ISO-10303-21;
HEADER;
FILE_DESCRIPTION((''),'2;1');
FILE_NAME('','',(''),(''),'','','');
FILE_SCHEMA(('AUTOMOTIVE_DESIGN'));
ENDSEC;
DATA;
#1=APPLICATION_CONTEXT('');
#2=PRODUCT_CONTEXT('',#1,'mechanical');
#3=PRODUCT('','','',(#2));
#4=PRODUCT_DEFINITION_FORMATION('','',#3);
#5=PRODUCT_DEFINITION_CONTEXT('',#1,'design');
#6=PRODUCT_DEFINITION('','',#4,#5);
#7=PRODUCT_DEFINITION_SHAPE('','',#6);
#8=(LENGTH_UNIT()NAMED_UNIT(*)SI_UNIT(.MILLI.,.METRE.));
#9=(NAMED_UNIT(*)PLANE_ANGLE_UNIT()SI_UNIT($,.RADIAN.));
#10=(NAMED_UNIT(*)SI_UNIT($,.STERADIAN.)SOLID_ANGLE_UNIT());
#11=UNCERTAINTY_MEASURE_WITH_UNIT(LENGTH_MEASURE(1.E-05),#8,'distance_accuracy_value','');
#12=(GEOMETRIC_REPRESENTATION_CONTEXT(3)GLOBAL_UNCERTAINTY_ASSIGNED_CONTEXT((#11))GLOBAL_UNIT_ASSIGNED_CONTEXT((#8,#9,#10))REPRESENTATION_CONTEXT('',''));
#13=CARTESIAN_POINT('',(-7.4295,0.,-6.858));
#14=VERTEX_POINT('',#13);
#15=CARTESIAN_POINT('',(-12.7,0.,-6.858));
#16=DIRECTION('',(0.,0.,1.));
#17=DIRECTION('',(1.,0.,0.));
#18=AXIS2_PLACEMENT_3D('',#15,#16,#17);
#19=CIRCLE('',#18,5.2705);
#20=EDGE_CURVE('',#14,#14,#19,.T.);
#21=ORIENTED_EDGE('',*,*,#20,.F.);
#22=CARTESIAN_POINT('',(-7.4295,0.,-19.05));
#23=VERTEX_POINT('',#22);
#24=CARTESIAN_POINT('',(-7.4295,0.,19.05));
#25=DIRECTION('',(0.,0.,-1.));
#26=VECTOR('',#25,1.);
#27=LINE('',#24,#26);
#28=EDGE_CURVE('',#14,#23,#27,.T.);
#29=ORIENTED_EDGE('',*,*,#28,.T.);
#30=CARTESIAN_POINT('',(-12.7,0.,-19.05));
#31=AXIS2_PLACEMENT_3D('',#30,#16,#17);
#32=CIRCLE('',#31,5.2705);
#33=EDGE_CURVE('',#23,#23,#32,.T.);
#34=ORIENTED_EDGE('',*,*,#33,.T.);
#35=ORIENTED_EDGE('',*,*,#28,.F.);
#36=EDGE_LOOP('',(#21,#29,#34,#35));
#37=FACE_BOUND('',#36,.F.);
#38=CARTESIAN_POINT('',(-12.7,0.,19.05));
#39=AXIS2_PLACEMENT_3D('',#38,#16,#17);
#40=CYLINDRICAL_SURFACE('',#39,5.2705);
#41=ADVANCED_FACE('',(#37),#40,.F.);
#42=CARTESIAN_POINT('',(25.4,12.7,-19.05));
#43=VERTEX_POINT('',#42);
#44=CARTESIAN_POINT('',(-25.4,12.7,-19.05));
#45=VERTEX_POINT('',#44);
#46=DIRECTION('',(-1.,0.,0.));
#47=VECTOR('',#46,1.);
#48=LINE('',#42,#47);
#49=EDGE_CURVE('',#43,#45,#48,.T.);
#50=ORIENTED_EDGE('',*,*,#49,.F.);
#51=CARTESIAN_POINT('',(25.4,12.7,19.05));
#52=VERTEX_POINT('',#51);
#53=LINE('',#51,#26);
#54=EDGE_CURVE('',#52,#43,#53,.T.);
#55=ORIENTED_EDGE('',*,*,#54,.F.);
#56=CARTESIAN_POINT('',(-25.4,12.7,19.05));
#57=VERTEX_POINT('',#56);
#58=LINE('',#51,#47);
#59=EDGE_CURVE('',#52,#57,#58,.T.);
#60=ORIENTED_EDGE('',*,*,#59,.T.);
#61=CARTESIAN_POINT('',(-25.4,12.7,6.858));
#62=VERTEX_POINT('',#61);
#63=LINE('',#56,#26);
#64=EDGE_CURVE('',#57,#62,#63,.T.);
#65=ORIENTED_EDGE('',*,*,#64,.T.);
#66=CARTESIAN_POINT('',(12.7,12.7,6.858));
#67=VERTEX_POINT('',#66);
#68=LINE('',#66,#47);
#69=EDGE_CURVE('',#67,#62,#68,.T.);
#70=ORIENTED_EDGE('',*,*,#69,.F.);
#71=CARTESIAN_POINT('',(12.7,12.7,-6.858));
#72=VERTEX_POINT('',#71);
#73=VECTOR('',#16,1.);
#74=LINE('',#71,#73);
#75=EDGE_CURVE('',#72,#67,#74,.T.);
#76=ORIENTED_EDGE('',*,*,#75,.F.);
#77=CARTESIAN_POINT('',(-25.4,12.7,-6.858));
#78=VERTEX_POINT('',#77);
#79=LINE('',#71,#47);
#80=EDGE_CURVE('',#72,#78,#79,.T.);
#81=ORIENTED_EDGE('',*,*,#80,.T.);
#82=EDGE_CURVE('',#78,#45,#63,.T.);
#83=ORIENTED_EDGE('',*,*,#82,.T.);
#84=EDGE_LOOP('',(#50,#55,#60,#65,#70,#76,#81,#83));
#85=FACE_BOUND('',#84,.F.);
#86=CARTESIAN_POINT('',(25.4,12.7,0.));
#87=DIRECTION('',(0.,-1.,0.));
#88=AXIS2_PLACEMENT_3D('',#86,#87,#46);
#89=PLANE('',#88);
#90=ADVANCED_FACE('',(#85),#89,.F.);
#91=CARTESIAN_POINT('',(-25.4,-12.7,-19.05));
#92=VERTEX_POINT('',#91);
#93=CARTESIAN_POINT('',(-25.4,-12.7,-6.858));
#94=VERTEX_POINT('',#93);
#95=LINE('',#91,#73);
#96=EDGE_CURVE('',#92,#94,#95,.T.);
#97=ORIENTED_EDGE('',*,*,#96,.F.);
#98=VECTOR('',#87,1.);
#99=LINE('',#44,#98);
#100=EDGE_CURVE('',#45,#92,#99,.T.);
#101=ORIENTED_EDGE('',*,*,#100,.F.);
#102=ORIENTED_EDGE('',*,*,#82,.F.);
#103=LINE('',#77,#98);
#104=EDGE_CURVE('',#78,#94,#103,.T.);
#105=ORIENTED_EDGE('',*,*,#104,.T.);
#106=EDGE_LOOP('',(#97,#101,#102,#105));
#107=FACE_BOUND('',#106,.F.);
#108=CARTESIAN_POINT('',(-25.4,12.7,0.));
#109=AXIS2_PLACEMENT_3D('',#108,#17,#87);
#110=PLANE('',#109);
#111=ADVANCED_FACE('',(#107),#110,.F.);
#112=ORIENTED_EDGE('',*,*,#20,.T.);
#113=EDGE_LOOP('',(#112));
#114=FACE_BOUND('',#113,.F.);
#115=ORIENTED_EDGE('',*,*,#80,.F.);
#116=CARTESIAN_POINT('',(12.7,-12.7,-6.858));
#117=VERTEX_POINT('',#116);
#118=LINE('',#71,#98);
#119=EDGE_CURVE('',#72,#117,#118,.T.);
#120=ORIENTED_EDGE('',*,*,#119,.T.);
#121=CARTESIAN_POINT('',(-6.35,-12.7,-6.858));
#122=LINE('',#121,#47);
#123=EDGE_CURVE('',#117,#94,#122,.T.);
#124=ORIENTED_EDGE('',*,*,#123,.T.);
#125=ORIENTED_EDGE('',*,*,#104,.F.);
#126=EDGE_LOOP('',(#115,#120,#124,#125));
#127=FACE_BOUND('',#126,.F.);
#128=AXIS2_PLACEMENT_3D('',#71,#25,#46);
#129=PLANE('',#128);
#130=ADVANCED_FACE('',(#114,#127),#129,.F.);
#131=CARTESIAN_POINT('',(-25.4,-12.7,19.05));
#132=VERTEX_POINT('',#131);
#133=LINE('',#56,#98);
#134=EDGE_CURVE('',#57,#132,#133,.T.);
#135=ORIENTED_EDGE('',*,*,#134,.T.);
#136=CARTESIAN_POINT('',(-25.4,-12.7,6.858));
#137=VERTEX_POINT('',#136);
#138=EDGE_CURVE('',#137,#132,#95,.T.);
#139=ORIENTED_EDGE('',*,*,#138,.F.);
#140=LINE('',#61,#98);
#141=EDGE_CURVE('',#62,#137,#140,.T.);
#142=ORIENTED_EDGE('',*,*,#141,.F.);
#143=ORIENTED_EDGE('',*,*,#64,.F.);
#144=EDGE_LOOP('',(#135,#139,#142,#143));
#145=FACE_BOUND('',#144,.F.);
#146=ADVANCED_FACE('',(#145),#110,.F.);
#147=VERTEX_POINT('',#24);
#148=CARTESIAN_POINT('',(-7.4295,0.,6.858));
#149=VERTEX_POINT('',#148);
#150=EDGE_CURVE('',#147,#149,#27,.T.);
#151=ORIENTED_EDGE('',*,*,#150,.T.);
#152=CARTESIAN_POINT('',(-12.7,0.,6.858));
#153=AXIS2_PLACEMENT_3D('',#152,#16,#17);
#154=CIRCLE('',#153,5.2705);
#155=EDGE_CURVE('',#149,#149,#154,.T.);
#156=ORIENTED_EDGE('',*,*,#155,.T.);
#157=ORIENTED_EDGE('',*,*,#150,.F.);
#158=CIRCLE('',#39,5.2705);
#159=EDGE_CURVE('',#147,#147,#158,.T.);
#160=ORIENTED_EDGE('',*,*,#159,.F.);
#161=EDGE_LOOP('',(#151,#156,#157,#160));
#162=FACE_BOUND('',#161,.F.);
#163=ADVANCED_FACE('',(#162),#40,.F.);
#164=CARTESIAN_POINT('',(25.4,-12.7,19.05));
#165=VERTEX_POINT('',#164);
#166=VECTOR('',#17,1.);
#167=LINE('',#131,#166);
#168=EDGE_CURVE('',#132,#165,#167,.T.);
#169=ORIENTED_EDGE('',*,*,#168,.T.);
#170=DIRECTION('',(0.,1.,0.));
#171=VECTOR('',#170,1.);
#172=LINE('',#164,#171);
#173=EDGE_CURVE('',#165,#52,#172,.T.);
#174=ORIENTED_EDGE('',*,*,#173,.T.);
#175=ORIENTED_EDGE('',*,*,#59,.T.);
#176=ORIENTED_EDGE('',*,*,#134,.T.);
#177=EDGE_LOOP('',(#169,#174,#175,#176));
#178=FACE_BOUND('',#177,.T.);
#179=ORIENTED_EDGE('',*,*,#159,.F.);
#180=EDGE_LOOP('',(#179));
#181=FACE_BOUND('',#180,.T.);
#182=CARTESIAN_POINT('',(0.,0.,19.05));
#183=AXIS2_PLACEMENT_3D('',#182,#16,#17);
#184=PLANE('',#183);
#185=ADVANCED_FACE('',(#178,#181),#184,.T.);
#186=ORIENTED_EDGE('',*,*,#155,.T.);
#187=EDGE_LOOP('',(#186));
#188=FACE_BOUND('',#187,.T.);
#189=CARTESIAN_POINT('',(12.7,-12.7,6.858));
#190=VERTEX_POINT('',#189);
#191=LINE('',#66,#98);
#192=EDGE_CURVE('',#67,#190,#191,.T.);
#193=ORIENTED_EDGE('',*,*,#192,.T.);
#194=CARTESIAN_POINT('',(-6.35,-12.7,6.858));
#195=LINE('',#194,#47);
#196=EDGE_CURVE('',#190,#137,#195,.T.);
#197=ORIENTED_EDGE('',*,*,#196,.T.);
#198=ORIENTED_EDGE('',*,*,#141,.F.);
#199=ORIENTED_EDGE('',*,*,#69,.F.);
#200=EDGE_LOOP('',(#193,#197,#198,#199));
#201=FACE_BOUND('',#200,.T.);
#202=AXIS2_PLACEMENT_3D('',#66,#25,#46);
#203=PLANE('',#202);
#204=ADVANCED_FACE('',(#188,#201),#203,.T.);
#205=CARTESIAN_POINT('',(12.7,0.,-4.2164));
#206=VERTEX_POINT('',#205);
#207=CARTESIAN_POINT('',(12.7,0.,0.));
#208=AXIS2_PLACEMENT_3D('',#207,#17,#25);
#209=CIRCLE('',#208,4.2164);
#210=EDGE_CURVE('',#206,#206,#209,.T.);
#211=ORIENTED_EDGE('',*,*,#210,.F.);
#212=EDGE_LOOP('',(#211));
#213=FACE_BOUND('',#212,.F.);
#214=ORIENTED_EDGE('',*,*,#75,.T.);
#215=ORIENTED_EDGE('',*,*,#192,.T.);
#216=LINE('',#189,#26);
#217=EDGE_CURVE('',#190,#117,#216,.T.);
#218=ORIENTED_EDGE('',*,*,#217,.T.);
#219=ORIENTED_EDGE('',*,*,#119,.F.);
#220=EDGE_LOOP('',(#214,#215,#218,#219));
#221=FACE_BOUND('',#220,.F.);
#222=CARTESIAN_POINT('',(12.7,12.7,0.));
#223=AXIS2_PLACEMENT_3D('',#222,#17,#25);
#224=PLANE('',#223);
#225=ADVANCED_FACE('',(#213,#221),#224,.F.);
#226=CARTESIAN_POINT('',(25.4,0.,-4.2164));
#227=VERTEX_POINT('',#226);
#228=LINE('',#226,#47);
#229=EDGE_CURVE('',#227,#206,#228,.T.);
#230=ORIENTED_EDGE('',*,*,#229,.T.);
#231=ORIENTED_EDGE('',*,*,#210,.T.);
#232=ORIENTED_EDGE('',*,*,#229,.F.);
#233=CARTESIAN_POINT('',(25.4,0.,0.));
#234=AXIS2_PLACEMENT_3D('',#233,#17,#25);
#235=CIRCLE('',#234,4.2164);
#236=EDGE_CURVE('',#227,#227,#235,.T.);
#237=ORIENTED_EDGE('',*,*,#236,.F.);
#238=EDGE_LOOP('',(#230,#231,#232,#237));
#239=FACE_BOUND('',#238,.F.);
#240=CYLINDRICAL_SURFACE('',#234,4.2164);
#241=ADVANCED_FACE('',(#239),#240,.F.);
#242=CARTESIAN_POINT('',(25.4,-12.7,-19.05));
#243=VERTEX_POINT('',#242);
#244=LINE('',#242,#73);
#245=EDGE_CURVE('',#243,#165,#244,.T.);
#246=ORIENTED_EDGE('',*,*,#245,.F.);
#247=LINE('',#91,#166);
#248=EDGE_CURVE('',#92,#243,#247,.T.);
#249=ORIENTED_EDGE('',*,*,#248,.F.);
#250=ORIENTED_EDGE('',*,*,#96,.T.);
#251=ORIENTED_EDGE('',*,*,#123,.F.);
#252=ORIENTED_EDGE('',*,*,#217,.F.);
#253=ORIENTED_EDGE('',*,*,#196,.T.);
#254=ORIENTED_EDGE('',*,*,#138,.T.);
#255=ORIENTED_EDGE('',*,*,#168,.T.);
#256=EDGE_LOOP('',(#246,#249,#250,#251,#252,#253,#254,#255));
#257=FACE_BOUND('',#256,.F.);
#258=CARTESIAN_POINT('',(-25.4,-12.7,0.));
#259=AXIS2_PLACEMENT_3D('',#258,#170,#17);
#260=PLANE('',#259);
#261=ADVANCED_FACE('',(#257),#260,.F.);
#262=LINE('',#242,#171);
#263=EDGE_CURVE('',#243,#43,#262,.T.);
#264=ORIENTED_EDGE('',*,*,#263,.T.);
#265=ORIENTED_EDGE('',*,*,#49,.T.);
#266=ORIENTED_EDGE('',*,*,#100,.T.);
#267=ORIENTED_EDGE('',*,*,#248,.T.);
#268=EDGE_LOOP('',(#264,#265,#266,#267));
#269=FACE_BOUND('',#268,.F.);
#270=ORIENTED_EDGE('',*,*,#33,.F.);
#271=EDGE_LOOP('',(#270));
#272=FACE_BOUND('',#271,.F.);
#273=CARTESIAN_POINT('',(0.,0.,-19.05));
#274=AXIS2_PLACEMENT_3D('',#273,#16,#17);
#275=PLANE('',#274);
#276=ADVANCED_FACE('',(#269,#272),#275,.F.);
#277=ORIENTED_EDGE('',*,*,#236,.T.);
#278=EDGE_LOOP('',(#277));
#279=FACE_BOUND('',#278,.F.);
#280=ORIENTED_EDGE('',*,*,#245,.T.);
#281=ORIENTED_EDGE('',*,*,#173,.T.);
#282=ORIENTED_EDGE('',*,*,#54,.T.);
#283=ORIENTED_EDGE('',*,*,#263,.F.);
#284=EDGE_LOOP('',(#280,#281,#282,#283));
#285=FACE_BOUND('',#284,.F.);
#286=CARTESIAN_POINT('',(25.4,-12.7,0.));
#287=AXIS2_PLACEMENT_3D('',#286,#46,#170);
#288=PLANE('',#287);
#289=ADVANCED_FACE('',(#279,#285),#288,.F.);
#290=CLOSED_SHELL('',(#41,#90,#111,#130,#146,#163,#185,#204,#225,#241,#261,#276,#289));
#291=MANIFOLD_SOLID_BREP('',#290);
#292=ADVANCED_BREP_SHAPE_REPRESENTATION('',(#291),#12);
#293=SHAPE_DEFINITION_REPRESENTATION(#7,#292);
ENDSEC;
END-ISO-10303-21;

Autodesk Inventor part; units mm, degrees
ref_plane "YZ Plane" through (0, 0, 0) normal (1, 0, 0) x (0, 1, 0)
sketch "Sketch2" plane through (0, 0, 0) normal (0, 0, 1) x (1, 0, 0)
  line L0 (-25.4, -12.7) -> (25.4, -12.7)
  line L1 (25.4, -12.7) -> (25.4, 12.7)
  line L2 (25.4, 12.7) -> (-25.4, 12.7)
  line L3 (-25.4, 12.7) -> (-25.4, -12.7)
  line L4 (-25.4, -12.7) -> (25.4, 12.7) construction
  line L5 (25.4, -12.7) -> (-25.4, 12.7) construction
  point P0 (0, 0)
  dimension "d4" = 50.8
  dimension "d5" = 25.4
extrude "Extrusion2" add sketch "Sketch2" along normal mid plane 38.1
sketch "Sketch3" plane through (-25.4, 12.7, 19.05) normal (0, 1, 0) x (1, 0, 0)
  line L0 (0, 0) -> (0, 38.1) construction
  line L1 (38.1, 19.05) -> (38.1, 25.908)
  line L2 (38.1, 25.908) -> (0, 25.908)
  line L3 (0, 25.908) -> (0, 19.05)
  line L4 (0, 0) -> (0, 25.4) construction
  line L5 (38.1, 19.05) -> (38.1, 12.192)
  line L6 (38.1, 12.192) -> (0, 12.192)
  line L7 (0, 12.192) -> (0, 19.05)
  line L8 (50.8, 0) -> (0, 0) projected
  point P0 (25.4, 19.05)
  dimension "d8" = 38.1
  dimension "d10" = 13.716
  dimension "d34" = 12.192
extrude "Extrusion3" cut sketch "Sketch3" against normal through all
sketch "Sketch4" plane through (0, 0, 19.05) normal (0, 0, 1) x (1, 0, 0)
  circle A0 centre (-12.7, 0) radius 5.2705
  line L0 (-25.4, 12.7) -> (-25.4, -12.7) projected
  point P0 (0, 0)
  dimension "d13" = 10.541
  dimension "d14" = 12.7
extrude "Extrusion4" cut sketch "Sketch4" against normal through all
sketch "Sketch5" plane through (25.4, -12.7, 19.05) normal (1, 0, 0) x (0, 0, -1)
  circle A0 centre (19.05, 12.7) radius 4.2164
  dimension "d27" = 8.4328
extrude "Extrusion5" cut sketch "Sketch5" against normal blind 12.7
properties part number "piston" material "PET Plastic"
